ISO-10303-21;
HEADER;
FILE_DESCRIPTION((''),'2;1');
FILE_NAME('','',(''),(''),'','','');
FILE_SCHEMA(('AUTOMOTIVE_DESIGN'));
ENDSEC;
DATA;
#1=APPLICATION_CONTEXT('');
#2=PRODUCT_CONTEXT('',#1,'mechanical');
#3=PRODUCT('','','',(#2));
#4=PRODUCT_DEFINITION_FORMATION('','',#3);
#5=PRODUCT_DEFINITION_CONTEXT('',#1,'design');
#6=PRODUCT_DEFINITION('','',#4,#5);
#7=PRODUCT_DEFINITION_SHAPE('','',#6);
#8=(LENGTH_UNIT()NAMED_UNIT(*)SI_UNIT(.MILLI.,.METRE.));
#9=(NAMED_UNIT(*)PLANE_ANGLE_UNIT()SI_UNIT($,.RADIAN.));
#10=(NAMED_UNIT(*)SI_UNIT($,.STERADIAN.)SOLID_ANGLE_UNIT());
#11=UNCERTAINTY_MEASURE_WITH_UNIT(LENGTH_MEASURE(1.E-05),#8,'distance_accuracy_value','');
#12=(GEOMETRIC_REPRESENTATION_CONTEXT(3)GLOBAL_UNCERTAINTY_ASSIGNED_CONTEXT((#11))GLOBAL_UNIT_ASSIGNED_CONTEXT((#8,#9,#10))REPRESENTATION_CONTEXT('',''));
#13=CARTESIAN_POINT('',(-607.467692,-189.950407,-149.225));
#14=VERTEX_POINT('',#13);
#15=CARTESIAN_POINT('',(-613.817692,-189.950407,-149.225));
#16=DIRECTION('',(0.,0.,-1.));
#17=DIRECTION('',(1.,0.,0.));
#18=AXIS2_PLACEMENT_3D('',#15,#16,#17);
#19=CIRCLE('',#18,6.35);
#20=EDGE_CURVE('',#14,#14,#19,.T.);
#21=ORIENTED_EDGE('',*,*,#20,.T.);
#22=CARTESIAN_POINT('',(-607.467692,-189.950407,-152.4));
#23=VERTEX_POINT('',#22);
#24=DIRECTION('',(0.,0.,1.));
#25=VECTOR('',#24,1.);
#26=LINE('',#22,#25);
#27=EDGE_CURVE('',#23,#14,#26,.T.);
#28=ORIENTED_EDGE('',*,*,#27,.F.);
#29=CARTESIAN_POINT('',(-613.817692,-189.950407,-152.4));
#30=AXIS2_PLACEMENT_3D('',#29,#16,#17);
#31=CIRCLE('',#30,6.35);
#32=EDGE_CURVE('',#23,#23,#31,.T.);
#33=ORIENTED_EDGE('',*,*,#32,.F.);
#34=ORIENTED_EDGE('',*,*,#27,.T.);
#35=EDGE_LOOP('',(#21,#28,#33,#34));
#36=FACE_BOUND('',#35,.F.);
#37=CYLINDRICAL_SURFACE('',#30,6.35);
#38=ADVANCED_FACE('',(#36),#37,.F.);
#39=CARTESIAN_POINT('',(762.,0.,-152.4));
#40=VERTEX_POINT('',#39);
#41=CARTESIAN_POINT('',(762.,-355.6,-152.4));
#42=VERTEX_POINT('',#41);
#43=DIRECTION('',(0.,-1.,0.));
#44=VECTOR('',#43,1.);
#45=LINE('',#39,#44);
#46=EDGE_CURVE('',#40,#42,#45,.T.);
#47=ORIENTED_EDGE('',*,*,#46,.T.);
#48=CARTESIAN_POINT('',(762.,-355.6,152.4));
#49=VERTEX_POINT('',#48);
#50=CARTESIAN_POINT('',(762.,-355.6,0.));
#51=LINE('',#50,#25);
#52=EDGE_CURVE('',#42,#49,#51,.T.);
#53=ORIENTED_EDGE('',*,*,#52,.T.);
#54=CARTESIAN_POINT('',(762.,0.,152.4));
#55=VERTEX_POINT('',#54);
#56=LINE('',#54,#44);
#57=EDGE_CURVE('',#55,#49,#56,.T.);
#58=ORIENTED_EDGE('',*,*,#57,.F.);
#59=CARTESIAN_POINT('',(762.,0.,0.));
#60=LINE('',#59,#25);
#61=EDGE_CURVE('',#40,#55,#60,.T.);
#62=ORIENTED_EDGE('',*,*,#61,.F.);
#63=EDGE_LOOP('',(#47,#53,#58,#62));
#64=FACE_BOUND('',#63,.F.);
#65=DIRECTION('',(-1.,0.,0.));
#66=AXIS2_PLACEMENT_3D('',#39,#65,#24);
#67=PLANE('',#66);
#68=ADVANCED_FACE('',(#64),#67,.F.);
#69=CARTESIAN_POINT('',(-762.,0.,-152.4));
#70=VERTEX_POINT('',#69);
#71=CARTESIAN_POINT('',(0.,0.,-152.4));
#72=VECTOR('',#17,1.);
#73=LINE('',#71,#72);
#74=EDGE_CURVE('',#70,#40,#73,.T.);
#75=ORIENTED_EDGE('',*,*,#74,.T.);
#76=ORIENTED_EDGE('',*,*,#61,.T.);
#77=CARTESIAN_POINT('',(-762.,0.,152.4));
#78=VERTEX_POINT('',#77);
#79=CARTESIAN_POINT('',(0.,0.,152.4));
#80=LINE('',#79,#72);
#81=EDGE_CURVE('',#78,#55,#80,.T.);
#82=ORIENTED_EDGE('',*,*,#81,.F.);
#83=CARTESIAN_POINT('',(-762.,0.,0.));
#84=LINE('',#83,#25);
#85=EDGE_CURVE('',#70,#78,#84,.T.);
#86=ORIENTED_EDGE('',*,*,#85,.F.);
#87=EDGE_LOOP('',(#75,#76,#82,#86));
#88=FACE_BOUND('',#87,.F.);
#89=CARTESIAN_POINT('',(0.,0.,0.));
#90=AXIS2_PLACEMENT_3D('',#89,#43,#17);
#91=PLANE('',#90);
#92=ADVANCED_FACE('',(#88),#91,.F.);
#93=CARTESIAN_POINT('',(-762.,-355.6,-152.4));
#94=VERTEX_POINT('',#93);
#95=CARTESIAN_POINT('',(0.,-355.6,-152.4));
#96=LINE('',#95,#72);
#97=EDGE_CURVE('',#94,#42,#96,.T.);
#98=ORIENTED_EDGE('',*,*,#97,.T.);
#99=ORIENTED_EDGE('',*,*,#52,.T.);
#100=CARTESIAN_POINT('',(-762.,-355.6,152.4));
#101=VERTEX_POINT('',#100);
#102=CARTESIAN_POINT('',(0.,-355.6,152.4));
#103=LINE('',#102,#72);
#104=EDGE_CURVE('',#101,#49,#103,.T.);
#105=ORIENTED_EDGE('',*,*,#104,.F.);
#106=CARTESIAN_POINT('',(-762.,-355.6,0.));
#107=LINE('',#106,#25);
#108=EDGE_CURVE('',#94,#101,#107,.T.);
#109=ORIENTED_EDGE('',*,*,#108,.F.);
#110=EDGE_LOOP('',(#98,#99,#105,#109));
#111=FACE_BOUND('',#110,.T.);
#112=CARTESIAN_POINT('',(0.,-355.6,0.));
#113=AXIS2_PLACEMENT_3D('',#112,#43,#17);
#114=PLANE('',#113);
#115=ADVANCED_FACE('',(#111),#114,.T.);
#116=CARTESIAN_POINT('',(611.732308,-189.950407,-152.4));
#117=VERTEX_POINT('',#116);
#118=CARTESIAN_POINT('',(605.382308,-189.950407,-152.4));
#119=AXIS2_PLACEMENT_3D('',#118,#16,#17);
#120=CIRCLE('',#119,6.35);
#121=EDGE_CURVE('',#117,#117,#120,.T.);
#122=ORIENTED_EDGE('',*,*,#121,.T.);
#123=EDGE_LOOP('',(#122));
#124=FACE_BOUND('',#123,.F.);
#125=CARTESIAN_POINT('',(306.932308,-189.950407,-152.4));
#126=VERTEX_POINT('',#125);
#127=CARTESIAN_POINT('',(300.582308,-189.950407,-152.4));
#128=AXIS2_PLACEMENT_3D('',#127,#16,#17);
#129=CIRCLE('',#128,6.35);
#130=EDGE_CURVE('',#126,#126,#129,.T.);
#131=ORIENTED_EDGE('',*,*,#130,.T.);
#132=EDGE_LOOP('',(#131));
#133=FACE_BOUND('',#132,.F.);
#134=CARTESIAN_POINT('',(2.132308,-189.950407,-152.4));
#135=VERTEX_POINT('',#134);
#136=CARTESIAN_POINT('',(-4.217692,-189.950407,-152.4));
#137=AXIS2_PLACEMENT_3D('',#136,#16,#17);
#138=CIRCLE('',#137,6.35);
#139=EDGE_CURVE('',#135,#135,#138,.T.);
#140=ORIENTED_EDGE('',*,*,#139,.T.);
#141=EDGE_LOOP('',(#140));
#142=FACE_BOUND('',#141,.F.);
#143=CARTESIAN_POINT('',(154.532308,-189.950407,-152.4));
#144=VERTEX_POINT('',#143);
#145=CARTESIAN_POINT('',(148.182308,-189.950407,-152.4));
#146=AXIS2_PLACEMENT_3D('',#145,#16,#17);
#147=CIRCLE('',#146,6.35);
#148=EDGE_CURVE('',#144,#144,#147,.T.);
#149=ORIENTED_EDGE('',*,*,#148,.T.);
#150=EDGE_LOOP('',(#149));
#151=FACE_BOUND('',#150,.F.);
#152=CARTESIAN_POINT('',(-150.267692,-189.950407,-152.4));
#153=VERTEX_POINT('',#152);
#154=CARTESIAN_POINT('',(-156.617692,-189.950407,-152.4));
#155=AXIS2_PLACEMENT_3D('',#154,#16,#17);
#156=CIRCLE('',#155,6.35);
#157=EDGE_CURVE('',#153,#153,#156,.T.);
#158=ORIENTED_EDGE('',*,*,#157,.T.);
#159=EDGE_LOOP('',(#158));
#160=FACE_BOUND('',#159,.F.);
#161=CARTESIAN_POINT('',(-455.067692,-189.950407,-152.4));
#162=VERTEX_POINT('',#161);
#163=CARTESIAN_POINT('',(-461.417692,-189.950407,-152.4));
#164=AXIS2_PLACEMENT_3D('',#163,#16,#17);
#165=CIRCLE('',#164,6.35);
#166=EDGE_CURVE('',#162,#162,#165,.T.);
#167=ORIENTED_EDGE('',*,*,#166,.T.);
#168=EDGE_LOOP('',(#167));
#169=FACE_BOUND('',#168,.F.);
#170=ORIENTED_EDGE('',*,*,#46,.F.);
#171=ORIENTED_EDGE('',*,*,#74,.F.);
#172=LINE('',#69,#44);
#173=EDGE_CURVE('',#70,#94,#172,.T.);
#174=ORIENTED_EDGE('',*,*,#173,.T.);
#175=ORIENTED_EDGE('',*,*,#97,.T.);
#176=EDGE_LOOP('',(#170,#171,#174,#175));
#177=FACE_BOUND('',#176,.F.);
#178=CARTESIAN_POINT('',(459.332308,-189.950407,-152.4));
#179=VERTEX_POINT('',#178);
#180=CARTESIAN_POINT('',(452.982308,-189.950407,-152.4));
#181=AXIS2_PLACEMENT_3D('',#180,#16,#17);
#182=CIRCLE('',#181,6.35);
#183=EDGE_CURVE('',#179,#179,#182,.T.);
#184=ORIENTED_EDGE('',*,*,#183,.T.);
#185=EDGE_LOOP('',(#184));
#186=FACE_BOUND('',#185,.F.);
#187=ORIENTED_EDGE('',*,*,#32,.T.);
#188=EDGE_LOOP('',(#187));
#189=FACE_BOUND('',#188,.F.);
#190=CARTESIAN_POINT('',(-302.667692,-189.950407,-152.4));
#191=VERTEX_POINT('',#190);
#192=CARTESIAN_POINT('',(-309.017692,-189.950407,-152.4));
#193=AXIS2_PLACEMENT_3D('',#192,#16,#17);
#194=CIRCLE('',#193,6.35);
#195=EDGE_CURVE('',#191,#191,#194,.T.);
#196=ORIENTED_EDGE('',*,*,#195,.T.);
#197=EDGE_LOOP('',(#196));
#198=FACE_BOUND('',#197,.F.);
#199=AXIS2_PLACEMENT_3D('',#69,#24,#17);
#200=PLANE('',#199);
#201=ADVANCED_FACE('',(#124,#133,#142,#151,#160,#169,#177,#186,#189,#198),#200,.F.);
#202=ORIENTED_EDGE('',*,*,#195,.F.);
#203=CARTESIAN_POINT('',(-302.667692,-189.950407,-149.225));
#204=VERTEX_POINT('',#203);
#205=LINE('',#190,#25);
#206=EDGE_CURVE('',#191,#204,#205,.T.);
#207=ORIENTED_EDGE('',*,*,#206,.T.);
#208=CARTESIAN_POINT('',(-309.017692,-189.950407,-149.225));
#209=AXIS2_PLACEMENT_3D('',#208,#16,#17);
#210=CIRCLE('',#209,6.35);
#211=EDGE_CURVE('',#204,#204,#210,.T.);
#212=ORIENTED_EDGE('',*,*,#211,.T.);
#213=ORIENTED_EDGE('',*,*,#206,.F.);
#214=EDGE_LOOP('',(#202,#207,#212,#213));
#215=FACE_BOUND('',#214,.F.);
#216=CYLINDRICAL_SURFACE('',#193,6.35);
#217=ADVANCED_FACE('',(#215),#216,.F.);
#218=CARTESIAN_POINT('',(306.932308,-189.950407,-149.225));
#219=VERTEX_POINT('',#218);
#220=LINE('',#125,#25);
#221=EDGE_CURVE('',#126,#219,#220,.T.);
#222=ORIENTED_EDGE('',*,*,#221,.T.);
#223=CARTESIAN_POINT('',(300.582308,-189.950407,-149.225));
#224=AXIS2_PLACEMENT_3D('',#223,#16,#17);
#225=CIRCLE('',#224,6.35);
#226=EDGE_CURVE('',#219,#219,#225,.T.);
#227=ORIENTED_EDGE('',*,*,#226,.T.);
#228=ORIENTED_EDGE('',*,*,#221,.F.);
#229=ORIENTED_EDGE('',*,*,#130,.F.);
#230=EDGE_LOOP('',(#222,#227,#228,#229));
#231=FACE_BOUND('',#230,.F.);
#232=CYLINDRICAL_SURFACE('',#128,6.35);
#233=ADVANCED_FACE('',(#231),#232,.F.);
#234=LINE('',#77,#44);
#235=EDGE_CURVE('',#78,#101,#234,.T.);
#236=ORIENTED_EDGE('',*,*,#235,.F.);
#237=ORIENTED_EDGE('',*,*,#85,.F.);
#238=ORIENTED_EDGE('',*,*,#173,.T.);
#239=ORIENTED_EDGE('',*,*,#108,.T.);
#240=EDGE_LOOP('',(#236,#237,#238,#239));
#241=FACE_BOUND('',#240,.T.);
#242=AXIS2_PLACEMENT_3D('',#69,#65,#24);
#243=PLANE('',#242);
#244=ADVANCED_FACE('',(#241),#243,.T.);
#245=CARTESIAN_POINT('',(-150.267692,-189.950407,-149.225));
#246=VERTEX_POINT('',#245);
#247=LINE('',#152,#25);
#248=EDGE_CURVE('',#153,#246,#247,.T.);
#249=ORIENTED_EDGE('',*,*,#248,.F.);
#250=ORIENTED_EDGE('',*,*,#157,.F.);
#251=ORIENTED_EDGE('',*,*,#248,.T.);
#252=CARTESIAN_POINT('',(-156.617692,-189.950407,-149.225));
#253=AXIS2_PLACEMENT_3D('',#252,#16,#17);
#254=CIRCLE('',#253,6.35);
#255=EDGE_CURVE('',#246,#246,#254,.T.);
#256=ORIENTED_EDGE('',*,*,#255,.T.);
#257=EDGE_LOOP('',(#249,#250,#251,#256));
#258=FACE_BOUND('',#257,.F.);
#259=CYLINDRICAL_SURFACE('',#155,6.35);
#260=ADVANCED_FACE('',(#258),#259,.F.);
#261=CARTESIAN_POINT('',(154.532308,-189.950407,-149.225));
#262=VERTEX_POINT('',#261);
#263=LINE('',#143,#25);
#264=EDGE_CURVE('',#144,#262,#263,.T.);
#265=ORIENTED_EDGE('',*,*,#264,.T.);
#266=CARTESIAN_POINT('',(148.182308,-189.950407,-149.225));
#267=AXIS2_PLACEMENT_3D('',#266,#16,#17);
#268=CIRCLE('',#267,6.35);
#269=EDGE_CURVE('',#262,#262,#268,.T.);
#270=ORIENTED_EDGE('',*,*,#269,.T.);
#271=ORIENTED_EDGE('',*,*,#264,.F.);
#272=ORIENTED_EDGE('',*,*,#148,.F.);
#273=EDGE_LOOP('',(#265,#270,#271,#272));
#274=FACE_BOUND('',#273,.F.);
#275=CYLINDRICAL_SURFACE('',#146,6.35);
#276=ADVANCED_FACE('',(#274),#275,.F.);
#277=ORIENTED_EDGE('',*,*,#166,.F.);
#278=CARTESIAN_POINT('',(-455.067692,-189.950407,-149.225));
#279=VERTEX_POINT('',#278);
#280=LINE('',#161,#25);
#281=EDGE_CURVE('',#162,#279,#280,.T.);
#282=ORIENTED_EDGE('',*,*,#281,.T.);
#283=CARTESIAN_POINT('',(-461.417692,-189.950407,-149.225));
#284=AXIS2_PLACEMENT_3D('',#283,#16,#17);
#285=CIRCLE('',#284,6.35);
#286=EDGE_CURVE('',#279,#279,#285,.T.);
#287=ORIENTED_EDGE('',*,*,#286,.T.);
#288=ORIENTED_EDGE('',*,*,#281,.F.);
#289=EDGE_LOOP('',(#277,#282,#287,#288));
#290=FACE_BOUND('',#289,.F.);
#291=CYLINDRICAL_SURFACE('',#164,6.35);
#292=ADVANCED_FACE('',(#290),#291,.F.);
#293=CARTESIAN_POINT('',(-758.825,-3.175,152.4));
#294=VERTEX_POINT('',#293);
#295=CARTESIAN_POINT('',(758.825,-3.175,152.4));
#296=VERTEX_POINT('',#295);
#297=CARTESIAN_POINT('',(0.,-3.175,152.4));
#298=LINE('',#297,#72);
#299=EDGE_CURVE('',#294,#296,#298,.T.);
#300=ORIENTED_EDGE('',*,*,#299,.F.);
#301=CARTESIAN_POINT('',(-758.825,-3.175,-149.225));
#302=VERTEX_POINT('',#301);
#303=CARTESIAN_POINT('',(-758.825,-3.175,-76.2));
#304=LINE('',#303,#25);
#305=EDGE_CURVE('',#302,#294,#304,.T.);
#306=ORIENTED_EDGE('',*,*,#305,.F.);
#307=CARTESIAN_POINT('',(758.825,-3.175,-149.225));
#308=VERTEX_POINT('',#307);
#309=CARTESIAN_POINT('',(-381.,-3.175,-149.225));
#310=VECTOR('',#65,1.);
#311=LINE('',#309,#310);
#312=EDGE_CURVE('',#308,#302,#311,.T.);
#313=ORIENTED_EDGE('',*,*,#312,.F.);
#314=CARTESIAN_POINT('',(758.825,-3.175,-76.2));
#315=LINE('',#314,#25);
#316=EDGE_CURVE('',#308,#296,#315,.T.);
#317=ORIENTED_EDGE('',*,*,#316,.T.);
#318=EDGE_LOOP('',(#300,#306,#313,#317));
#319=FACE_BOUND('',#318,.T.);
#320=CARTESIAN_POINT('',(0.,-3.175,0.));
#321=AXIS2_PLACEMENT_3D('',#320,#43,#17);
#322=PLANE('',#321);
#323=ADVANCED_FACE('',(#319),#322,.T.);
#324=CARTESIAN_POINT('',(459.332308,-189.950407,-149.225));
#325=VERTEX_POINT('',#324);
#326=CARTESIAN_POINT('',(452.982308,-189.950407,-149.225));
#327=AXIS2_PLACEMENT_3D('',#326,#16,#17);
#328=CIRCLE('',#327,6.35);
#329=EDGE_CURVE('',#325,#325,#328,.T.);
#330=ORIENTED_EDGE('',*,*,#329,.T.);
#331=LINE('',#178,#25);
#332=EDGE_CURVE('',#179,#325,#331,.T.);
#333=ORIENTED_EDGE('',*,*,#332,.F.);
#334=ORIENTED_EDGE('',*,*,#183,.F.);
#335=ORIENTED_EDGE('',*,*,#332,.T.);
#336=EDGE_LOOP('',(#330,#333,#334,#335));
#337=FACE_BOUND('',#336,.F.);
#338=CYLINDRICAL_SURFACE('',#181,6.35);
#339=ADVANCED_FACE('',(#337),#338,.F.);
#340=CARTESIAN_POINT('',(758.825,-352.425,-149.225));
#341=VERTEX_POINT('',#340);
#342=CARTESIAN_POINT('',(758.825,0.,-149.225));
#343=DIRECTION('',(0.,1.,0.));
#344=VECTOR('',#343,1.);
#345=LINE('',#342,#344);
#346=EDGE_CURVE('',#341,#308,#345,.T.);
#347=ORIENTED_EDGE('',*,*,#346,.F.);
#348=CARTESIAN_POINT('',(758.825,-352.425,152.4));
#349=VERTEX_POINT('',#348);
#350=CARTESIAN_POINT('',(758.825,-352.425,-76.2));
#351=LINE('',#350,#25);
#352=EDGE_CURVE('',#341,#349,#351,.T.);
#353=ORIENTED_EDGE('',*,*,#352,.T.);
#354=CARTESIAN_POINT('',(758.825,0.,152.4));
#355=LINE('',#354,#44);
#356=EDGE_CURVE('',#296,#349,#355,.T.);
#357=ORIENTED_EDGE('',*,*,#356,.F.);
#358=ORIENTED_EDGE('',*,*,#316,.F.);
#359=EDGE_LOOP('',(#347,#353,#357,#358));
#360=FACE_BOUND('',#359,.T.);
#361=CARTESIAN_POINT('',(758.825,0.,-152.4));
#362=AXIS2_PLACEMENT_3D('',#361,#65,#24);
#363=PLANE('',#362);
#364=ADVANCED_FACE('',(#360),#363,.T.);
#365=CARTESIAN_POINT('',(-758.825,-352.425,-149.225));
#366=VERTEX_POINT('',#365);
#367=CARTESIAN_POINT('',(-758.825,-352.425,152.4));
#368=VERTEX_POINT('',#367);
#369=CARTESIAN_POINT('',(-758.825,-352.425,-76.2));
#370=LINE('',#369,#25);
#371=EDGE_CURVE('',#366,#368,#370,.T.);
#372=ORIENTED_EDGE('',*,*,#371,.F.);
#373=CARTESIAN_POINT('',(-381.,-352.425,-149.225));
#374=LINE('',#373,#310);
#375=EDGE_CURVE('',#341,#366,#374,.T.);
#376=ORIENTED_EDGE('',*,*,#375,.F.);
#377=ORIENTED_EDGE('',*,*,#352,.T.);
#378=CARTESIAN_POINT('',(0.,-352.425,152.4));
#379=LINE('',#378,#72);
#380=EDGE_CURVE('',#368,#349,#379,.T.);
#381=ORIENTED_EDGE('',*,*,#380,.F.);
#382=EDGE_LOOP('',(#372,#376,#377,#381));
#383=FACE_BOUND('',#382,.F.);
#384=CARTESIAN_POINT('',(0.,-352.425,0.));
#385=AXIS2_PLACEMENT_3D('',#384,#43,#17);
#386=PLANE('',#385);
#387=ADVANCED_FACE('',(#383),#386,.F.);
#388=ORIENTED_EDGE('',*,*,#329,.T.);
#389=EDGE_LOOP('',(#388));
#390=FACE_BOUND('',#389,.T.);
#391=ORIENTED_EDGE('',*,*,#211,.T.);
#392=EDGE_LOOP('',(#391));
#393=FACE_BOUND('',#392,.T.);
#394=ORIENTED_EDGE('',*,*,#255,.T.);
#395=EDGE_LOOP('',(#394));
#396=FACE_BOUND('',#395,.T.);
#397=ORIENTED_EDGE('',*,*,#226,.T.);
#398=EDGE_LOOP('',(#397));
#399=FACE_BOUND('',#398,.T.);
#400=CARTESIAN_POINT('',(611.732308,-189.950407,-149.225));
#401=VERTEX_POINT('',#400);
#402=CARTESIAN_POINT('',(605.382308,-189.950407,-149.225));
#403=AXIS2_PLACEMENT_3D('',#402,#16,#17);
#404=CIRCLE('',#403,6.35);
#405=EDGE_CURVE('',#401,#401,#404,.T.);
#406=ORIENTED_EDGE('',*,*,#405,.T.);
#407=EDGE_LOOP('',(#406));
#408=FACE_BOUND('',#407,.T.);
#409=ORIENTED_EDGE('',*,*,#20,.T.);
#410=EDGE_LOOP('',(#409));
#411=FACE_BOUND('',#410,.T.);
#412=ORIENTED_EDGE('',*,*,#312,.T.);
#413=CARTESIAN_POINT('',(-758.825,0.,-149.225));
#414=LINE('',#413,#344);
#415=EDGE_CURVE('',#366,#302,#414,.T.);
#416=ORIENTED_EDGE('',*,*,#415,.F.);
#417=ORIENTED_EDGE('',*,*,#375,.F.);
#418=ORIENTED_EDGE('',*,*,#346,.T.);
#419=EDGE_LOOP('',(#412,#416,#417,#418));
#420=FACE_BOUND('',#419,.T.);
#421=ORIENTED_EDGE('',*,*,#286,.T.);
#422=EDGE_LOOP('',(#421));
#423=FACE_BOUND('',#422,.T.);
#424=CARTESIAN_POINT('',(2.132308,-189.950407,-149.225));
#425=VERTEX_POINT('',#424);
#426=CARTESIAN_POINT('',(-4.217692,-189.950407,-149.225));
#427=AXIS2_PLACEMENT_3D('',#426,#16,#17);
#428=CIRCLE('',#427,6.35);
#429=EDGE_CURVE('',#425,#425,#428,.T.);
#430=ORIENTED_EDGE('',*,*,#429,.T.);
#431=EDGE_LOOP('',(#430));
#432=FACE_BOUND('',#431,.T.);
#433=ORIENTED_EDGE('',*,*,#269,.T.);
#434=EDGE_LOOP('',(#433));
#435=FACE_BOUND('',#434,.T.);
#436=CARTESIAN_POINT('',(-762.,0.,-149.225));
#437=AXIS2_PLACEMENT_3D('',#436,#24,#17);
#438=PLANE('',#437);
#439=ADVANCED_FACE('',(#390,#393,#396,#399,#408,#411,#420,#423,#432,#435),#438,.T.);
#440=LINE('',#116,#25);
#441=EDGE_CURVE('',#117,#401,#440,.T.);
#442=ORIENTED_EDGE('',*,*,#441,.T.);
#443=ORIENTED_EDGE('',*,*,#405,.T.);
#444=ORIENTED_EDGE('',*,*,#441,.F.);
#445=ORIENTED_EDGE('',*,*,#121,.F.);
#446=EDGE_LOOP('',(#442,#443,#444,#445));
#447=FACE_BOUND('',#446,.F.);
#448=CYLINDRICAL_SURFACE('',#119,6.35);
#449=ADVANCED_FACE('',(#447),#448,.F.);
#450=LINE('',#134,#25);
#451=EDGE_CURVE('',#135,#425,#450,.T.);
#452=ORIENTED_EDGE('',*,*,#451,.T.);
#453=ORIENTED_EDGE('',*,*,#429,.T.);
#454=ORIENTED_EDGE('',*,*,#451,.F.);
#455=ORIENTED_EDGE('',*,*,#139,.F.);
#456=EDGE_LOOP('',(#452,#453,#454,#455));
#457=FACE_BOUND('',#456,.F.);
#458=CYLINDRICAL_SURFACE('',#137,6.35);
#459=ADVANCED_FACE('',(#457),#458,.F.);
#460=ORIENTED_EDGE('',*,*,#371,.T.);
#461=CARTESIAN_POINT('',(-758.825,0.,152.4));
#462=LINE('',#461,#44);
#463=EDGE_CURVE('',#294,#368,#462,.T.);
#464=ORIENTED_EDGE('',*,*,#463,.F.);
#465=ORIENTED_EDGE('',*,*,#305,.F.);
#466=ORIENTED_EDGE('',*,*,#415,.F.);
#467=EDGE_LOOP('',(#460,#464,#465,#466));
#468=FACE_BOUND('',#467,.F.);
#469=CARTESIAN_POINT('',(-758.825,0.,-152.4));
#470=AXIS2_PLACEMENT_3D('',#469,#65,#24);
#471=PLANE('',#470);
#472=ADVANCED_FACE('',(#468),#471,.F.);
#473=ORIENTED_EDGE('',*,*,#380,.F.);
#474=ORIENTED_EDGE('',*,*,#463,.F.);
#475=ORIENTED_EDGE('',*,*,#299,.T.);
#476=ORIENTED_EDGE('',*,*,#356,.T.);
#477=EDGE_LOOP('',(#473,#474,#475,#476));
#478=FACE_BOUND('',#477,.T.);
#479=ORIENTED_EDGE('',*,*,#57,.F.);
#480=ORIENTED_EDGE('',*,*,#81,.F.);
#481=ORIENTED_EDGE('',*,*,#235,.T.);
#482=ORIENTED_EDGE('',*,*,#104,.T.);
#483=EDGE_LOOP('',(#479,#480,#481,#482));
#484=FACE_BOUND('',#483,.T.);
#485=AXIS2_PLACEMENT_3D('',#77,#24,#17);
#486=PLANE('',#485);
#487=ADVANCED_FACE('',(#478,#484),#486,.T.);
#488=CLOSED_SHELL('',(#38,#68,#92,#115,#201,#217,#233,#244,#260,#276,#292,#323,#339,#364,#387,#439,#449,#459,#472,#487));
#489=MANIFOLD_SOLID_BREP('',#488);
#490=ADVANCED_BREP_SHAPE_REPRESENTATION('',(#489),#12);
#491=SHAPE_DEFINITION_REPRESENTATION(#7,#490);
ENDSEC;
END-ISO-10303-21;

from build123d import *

# Parameters (mm, degrees)
F0_W     = 1524
F0_H     = 304.8
F1_DEPTH = 355.6
F2_T     = -3.175
F3_R     = 6.35
F4_DEPTH = 25.4


with BuildPart() as f1:
    # F0 (on Front) → F1 (new body)
    with BuildSketch(Plane.XZ):
        Rectangle(F0_W, F0_H)
    extrude(amount=F1_DEPTH)

    # F2
    f2_openings = [f1.faces().sort_by_distance(p)[0] for p in [
        (0, -177.8, 152.4),
    ]]
    offset(amount=F2_T, openings=f2_openings)

    # F3 (on face) → F4 (cut)
    with BuildSketch(Plane(origin=(0, 0, -152.4), x_dir=(1, 0, 0), z_dir=(0, 0, -1))):
        with Locations((-613.817692, 189.950407)):
            Circle(F3_R)
        with Locations((-461.417692, 189.950407)):
            Circle(F3_R)
        with Locations((-309.017692, 189.950407)):
            Circle(F3_R)
        with Locations((-156.617692, 189.950407)):
            Circle(F3_R)
        with Locations((-4.217692, 189.950407)):
            Circle(F3_R)
        with Locations((148.182308, 189.950407)):
            Circle(F3_R)
        with Locations((300.582308, 189.950407)):
            Circle(F3_R)
        with Locations((452.982308, 189.950407)):
            Circle(F3_R)
        with Locations((605.382308, 189.950407)):
            Circle(F3_R)
    extrude(amount=-F4_DEPTH, mode=Mode.SUBTRACT)


solid = f1.part
